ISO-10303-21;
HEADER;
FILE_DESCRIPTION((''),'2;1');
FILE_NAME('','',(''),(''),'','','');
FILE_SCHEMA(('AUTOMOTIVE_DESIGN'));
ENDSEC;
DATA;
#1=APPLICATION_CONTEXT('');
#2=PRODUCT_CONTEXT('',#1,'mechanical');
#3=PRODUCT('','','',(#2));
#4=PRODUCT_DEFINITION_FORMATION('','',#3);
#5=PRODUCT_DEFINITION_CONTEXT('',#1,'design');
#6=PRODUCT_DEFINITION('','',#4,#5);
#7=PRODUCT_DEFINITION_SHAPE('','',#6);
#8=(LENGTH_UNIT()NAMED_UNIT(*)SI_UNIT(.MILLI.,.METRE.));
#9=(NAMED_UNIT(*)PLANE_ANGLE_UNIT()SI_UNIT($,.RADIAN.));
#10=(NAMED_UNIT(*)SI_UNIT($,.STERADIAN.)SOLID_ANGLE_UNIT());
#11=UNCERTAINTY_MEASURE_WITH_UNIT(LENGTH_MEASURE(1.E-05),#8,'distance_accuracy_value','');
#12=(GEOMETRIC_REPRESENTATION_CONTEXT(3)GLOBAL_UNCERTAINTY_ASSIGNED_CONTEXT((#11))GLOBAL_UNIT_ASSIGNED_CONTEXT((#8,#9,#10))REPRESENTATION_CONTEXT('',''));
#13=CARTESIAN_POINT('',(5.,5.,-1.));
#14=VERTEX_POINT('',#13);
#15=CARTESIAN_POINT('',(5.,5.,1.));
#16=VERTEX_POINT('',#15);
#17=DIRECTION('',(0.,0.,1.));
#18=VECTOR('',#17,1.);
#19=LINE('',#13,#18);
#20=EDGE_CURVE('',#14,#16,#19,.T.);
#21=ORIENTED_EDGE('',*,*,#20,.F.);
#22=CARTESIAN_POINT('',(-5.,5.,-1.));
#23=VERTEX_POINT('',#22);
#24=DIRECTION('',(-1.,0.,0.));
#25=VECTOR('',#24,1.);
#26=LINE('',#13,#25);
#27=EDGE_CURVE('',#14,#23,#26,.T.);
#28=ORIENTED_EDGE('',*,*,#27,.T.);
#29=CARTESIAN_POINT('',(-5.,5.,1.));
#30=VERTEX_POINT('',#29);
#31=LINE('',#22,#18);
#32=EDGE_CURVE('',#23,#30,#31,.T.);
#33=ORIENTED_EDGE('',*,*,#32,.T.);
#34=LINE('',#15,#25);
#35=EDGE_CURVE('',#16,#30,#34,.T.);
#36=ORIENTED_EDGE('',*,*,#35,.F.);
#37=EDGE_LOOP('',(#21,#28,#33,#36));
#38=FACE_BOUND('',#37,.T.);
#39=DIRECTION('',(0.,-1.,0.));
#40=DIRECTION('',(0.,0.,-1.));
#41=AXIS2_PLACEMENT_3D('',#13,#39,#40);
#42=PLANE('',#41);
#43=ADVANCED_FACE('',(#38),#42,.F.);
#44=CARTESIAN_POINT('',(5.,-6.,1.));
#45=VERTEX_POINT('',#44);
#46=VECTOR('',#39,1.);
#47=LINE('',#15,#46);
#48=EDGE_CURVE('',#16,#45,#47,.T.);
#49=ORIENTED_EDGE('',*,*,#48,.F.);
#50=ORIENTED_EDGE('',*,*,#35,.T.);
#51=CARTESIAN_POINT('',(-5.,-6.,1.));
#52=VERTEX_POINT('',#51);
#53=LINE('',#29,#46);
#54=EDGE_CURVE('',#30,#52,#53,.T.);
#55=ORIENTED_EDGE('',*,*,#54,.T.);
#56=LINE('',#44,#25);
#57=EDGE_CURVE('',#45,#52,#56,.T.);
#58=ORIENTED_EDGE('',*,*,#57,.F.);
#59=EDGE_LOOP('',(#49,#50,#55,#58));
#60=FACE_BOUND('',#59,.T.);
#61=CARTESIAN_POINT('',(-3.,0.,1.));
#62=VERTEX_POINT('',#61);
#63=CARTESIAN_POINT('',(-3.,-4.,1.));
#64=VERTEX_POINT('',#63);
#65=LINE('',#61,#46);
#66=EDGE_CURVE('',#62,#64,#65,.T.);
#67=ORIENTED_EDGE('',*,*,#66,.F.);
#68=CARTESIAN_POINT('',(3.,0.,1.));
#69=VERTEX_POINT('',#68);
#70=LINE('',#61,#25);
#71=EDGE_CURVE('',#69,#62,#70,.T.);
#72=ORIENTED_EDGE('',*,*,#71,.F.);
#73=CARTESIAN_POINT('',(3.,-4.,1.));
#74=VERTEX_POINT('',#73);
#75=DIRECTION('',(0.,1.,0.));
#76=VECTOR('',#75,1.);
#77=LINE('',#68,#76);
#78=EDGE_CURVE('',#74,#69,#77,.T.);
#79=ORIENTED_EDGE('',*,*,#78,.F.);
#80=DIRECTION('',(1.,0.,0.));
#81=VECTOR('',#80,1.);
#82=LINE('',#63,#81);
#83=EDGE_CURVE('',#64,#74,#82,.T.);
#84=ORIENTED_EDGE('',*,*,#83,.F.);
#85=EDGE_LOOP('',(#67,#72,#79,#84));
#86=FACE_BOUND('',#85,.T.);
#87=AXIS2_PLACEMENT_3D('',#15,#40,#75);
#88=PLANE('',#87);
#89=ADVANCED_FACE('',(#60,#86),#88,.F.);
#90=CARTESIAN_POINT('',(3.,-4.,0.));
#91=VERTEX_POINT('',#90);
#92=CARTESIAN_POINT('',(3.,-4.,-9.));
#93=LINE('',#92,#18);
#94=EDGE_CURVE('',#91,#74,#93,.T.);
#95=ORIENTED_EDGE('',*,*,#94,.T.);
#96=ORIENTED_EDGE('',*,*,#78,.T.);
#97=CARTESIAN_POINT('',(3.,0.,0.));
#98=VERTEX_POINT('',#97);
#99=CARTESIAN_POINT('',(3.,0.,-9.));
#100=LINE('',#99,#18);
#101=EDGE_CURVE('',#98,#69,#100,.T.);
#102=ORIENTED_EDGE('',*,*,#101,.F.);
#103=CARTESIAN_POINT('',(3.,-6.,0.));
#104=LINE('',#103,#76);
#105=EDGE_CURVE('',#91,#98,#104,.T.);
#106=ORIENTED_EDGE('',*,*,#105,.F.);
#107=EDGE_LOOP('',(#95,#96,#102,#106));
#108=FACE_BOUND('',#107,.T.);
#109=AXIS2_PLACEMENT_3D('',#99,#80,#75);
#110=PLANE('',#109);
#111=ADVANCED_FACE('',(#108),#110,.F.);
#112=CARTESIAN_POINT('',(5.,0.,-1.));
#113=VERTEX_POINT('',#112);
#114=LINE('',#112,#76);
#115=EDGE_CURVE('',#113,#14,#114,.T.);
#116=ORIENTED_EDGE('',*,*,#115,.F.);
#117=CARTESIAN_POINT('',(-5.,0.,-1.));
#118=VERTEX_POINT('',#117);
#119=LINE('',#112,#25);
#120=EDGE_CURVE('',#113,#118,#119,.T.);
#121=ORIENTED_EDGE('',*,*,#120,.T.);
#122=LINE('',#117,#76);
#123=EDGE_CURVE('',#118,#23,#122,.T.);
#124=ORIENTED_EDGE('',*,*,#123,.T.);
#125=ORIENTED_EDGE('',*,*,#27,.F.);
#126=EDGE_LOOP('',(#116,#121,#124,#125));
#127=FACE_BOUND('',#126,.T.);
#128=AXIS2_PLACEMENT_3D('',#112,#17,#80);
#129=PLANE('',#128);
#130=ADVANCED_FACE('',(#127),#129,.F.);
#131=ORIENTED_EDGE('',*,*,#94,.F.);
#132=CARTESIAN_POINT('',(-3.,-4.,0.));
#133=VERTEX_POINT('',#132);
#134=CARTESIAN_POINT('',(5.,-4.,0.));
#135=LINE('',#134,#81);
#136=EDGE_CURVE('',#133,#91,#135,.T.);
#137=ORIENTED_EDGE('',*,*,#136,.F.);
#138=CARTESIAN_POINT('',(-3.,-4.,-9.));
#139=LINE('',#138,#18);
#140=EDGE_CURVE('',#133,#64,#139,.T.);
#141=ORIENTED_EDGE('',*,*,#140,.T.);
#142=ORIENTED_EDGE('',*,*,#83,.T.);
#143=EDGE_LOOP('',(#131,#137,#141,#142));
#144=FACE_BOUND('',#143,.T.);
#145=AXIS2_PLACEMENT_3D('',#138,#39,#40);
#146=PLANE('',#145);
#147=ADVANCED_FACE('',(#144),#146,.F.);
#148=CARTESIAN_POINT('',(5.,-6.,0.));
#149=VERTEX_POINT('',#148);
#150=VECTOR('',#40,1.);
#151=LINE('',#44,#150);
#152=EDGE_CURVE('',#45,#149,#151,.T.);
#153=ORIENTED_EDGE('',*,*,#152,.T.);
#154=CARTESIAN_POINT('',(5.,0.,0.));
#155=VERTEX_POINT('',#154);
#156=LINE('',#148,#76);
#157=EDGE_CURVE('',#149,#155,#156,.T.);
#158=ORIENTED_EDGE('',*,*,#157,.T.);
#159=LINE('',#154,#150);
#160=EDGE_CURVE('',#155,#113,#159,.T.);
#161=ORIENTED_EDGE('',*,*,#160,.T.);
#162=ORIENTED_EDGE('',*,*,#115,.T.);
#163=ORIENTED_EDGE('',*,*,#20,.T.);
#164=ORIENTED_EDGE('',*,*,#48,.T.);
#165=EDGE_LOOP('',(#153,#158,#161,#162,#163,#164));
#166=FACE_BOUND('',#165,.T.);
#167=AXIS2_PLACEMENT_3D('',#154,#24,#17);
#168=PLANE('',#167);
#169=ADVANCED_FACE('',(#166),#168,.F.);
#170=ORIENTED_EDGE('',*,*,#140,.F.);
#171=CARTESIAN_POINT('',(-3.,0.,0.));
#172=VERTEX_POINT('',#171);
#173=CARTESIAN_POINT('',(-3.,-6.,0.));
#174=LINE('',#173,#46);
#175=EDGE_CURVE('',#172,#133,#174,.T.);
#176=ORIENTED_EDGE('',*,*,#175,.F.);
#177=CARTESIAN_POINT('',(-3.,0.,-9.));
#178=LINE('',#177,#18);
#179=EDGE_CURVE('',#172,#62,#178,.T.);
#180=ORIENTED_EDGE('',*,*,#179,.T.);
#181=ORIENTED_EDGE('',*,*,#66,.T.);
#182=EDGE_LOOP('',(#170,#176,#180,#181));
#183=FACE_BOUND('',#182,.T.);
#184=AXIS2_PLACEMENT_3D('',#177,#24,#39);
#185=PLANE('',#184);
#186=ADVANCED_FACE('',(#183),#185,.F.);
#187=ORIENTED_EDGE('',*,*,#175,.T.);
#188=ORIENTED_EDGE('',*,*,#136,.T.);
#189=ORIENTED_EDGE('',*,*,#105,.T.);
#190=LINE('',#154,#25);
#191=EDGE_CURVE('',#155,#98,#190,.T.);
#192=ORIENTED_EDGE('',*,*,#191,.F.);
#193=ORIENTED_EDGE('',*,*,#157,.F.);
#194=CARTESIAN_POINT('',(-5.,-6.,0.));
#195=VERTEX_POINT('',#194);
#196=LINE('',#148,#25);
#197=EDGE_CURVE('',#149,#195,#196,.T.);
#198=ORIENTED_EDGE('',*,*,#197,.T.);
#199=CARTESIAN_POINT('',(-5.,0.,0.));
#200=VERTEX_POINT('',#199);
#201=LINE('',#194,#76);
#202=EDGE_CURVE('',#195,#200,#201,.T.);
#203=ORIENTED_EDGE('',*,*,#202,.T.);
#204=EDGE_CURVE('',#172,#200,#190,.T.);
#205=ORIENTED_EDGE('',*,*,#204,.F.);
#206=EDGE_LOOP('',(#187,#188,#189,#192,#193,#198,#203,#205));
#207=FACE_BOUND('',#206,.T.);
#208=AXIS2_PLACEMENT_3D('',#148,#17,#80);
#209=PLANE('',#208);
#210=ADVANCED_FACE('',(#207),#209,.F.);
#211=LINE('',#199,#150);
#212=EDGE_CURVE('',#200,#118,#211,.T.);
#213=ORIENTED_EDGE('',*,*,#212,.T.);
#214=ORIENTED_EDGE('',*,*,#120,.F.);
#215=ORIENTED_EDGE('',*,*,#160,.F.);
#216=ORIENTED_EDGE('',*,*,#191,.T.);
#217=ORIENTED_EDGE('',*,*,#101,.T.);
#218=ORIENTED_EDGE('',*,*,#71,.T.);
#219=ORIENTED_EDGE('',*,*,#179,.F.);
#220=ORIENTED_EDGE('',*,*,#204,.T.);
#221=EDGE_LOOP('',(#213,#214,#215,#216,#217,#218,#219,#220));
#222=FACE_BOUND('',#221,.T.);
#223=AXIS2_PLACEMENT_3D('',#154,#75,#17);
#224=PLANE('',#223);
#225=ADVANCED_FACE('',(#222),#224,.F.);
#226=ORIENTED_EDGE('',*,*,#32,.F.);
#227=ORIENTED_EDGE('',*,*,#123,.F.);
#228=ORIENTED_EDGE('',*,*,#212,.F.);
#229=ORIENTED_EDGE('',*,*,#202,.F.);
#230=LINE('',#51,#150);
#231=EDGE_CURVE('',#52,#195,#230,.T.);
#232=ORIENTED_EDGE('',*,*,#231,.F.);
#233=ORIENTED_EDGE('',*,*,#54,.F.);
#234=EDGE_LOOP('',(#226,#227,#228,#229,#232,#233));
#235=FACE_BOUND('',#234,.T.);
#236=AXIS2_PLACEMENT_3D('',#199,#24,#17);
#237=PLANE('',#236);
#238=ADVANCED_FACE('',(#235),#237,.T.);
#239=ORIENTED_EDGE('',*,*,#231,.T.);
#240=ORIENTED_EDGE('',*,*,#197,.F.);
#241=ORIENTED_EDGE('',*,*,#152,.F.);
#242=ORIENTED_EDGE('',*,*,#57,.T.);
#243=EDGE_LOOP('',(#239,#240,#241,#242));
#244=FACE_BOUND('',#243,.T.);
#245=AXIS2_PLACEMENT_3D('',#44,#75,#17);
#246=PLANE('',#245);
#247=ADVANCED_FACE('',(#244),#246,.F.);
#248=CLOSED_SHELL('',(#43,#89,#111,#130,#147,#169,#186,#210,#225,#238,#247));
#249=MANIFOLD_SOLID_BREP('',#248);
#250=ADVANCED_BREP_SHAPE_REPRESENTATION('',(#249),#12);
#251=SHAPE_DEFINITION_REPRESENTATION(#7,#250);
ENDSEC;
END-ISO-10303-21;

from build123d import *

# Parameters (mm, degrees)
LINEAR_AUSTRAGEN1_DEPTH = 5
SKIZZE2_W               = 6
SKIZZE2_H               = 4
LINEAR_AUSTRAGEN2_DEPTH = 10


with BuildPart() as part:
    # Skizze1 → Linear austragen1 (new body, symmetric)
    with BuildSketch(Plane(origin=(0, 0, 0), x_dir=(0, 0, -1), z_dir=(1, 0, 0))):
        Polygon((0, 0), (1, 0), (1, 5), (-1, 5), (-1, -6), (0, -6), align=None)
    extrude(amount=LINEAR_AUSTRAGEN1_DEPTH, both=True)

    # Skizze2 → Linear austragen2 (cut)
    with BuildSketch(Plane.XY.offset(1)):
        with Locations((0, -2)):
            Rectangle(SKIZZE2_W, SKIZZE2_H)
    extrude(amount=-LINEAR_AUSTRAGEN2_DEPTH, mode=Mode.SUBTRACT)


solid = part.part
